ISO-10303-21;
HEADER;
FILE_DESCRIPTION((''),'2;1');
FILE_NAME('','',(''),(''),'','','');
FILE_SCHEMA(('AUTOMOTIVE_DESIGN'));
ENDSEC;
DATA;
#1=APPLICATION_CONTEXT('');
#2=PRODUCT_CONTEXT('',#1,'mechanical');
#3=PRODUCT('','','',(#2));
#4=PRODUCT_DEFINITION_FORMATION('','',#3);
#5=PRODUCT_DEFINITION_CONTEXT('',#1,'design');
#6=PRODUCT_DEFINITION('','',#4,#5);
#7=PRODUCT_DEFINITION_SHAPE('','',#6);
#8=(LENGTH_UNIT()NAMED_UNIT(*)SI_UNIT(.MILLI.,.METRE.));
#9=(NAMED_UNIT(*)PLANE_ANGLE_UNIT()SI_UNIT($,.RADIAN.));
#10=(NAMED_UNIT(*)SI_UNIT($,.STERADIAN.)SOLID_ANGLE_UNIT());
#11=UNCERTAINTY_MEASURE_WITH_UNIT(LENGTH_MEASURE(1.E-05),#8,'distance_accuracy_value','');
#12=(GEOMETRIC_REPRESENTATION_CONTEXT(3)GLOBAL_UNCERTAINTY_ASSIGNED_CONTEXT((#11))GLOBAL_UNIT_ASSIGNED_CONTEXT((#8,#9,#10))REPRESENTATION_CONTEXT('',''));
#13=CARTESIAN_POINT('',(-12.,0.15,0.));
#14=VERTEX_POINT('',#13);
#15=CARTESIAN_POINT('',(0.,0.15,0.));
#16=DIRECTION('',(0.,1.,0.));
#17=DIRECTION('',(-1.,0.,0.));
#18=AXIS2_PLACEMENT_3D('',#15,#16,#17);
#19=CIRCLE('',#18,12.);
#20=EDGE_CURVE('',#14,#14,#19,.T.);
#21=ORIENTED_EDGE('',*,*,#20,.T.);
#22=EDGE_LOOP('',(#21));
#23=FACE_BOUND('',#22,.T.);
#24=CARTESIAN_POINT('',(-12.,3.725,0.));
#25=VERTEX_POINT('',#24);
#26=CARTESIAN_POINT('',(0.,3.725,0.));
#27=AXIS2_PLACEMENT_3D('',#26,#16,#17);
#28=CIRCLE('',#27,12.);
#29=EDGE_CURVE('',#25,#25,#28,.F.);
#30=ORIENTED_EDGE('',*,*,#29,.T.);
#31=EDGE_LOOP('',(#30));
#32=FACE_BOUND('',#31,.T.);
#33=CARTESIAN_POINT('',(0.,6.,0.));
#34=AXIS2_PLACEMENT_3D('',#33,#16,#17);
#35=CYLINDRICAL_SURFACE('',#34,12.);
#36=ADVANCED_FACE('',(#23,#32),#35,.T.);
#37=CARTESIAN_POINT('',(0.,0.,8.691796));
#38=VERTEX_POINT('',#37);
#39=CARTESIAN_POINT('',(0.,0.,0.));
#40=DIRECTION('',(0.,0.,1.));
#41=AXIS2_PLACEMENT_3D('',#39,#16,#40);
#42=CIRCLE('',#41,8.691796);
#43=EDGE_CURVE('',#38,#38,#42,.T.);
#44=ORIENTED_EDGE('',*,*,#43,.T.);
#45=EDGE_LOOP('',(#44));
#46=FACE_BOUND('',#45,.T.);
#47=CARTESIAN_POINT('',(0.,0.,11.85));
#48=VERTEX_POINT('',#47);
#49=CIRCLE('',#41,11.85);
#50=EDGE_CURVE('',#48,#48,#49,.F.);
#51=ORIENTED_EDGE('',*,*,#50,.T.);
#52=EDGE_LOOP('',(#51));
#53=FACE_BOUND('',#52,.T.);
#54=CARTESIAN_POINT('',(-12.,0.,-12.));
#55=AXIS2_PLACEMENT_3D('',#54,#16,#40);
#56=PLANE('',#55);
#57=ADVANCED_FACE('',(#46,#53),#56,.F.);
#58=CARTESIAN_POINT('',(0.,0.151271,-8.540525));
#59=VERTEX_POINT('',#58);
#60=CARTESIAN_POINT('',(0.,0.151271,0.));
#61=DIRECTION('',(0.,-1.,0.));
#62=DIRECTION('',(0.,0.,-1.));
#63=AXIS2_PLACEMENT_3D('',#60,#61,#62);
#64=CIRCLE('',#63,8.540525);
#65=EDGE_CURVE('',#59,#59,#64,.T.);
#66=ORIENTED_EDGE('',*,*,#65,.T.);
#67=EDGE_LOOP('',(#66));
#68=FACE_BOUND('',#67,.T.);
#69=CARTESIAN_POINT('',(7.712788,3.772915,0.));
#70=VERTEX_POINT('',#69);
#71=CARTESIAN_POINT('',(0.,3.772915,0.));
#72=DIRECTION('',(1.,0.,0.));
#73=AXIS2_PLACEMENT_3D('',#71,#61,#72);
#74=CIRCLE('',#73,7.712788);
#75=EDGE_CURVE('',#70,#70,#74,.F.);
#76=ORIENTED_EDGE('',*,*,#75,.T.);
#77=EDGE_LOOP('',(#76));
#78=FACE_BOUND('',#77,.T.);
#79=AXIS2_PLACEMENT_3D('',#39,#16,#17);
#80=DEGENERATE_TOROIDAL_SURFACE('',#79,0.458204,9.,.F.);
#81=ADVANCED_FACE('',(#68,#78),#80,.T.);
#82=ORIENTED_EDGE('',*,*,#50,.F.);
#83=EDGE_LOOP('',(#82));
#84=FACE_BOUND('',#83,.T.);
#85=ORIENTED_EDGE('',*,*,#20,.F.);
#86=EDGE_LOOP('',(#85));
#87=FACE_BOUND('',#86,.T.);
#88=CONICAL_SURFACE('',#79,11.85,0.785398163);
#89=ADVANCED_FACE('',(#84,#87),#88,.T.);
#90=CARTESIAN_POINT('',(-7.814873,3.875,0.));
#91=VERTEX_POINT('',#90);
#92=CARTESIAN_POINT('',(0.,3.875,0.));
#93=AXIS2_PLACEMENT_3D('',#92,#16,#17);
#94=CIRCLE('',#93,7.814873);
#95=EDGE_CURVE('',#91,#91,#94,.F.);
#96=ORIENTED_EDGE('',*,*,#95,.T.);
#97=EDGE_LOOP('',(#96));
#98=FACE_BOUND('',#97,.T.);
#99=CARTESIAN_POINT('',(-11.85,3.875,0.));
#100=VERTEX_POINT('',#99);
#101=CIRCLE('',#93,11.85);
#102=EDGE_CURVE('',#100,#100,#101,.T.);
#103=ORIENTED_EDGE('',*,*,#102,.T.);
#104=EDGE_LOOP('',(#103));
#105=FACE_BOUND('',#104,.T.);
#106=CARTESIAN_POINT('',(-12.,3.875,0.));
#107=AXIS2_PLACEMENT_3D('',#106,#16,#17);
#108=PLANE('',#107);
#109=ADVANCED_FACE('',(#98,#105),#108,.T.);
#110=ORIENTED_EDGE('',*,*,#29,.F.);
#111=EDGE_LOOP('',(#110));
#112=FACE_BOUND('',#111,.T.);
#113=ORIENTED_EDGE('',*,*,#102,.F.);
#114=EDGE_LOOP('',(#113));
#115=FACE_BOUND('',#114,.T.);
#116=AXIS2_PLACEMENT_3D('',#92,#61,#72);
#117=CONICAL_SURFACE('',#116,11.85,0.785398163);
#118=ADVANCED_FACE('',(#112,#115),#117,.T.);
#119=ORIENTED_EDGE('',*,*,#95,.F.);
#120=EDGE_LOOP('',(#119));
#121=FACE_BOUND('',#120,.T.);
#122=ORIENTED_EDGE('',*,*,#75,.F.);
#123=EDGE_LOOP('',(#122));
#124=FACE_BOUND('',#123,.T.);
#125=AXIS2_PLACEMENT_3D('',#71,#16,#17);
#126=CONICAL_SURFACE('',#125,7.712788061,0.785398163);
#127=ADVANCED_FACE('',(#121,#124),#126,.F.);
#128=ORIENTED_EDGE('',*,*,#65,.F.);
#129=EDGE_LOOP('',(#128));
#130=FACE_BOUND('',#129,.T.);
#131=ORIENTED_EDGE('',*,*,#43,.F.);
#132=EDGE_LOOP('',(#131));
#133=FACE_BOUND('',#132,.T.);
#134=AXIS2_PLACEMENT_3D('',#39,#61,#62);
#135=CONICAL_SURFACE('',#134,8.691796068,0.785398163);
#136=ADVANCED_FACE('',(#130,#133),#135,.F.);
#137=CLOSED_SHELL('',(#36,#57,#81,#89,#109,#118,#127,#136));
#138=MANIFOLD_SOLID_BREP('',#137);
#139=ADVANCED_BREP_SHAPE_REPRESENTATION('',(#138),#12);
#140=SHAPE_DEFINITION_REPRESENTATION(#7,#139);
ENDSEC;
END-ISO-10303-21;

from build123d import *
from OCP.BRepFilletAPI import BRepFilletAPI_MakeChamfer

# Parameters (mm, degrees)
CUT_EXTRUDE1_DEPTH      = 18.407344018
CUT_EXTRUDE1_DEPTH_BACK = 18.407344018
SKETCH3_W               = 34.205973053
SKETCH3_H               = 8.392509863
CHAMFER1_SIZE           = 0.15
CHAMFER1_SIZE2          = 0.112518034


with BuildPart() as part:
    # Sketch2 → Revolve1 (revolve)
    with BuildSketch(Plane.XY):
        with BuildLine():
            Line((-12, -3.875), (-7.664872763, -3.875))
            ThreePointArc((-7.664872763, -3.875), (-8.541796068, 0), (-7.664872763, 3.875))
            Line((-7.664872763, 3.875), (-12, 3.875))
            Line((-12, 3.875), (-12, -3.875))
        make_face()
    revolve(axis=Axis((0, 6, 0), (0, -1, 0)))

    # Sketch3 → Cut-Extrude1 (cut, two sides: drawn at the far end of the back side and taken through both)
    with BuildSketch(Plane.XY.offset(-CUT_EXTRUDE1_DEPTH_BACK)):
        with Locations((5.102986527, -4.196254932)):
            Rectangle(SKETCH3_W, SKETCH3_H)
    extrude(amount=CUT_EXTRUDE1_DEPTH + CUT_EXTRUDE1_DEPTH_BACK, mode=Mode.SUBTRACT)

    # Chamfer1: one chamfer whose edges measure the first distance from different faces: ONE call of the kernel's chamfer builder (chamfer() names one face for all edges)
    chamfer1_edges_1 = [part.edges().sort_by_distance(p)[0] for p in [
        (12, 0, 0),
        (8.541796067, 0, 0),
        (12, 3.875, 0),
    ]]
    chamfer1_edges_2 = [part.edges().sort_by_distance(p)[0] for p in [
        (7.664872763, 3.875, 0),
    ]]
    chamfer1_side_2 = [part.faces().sort_by_distance(p)[0] for p in [
        (8.004284018, 3.875, 0),
    ]]
    chamfer1 = BRepFilletAPI_MakeChamfer(part.part.solid().wrapped)
    for e in chamfer1_edges_1:
        chamfer1.Add(CHAMFER1_SIZE, e.wrapped)
    for e in chamfer1_edges_2:
        chamfer1.Add(CHAMFER1_SIZE, CHAMFER1_SIZE2, e.wrapped, chamfer1_side_2[0].wrapped)  # the first distance lies on this face
    add(Compound.cast(chamfer1.Shape()), mode=Mode.REPLACE)


solid = part.part
